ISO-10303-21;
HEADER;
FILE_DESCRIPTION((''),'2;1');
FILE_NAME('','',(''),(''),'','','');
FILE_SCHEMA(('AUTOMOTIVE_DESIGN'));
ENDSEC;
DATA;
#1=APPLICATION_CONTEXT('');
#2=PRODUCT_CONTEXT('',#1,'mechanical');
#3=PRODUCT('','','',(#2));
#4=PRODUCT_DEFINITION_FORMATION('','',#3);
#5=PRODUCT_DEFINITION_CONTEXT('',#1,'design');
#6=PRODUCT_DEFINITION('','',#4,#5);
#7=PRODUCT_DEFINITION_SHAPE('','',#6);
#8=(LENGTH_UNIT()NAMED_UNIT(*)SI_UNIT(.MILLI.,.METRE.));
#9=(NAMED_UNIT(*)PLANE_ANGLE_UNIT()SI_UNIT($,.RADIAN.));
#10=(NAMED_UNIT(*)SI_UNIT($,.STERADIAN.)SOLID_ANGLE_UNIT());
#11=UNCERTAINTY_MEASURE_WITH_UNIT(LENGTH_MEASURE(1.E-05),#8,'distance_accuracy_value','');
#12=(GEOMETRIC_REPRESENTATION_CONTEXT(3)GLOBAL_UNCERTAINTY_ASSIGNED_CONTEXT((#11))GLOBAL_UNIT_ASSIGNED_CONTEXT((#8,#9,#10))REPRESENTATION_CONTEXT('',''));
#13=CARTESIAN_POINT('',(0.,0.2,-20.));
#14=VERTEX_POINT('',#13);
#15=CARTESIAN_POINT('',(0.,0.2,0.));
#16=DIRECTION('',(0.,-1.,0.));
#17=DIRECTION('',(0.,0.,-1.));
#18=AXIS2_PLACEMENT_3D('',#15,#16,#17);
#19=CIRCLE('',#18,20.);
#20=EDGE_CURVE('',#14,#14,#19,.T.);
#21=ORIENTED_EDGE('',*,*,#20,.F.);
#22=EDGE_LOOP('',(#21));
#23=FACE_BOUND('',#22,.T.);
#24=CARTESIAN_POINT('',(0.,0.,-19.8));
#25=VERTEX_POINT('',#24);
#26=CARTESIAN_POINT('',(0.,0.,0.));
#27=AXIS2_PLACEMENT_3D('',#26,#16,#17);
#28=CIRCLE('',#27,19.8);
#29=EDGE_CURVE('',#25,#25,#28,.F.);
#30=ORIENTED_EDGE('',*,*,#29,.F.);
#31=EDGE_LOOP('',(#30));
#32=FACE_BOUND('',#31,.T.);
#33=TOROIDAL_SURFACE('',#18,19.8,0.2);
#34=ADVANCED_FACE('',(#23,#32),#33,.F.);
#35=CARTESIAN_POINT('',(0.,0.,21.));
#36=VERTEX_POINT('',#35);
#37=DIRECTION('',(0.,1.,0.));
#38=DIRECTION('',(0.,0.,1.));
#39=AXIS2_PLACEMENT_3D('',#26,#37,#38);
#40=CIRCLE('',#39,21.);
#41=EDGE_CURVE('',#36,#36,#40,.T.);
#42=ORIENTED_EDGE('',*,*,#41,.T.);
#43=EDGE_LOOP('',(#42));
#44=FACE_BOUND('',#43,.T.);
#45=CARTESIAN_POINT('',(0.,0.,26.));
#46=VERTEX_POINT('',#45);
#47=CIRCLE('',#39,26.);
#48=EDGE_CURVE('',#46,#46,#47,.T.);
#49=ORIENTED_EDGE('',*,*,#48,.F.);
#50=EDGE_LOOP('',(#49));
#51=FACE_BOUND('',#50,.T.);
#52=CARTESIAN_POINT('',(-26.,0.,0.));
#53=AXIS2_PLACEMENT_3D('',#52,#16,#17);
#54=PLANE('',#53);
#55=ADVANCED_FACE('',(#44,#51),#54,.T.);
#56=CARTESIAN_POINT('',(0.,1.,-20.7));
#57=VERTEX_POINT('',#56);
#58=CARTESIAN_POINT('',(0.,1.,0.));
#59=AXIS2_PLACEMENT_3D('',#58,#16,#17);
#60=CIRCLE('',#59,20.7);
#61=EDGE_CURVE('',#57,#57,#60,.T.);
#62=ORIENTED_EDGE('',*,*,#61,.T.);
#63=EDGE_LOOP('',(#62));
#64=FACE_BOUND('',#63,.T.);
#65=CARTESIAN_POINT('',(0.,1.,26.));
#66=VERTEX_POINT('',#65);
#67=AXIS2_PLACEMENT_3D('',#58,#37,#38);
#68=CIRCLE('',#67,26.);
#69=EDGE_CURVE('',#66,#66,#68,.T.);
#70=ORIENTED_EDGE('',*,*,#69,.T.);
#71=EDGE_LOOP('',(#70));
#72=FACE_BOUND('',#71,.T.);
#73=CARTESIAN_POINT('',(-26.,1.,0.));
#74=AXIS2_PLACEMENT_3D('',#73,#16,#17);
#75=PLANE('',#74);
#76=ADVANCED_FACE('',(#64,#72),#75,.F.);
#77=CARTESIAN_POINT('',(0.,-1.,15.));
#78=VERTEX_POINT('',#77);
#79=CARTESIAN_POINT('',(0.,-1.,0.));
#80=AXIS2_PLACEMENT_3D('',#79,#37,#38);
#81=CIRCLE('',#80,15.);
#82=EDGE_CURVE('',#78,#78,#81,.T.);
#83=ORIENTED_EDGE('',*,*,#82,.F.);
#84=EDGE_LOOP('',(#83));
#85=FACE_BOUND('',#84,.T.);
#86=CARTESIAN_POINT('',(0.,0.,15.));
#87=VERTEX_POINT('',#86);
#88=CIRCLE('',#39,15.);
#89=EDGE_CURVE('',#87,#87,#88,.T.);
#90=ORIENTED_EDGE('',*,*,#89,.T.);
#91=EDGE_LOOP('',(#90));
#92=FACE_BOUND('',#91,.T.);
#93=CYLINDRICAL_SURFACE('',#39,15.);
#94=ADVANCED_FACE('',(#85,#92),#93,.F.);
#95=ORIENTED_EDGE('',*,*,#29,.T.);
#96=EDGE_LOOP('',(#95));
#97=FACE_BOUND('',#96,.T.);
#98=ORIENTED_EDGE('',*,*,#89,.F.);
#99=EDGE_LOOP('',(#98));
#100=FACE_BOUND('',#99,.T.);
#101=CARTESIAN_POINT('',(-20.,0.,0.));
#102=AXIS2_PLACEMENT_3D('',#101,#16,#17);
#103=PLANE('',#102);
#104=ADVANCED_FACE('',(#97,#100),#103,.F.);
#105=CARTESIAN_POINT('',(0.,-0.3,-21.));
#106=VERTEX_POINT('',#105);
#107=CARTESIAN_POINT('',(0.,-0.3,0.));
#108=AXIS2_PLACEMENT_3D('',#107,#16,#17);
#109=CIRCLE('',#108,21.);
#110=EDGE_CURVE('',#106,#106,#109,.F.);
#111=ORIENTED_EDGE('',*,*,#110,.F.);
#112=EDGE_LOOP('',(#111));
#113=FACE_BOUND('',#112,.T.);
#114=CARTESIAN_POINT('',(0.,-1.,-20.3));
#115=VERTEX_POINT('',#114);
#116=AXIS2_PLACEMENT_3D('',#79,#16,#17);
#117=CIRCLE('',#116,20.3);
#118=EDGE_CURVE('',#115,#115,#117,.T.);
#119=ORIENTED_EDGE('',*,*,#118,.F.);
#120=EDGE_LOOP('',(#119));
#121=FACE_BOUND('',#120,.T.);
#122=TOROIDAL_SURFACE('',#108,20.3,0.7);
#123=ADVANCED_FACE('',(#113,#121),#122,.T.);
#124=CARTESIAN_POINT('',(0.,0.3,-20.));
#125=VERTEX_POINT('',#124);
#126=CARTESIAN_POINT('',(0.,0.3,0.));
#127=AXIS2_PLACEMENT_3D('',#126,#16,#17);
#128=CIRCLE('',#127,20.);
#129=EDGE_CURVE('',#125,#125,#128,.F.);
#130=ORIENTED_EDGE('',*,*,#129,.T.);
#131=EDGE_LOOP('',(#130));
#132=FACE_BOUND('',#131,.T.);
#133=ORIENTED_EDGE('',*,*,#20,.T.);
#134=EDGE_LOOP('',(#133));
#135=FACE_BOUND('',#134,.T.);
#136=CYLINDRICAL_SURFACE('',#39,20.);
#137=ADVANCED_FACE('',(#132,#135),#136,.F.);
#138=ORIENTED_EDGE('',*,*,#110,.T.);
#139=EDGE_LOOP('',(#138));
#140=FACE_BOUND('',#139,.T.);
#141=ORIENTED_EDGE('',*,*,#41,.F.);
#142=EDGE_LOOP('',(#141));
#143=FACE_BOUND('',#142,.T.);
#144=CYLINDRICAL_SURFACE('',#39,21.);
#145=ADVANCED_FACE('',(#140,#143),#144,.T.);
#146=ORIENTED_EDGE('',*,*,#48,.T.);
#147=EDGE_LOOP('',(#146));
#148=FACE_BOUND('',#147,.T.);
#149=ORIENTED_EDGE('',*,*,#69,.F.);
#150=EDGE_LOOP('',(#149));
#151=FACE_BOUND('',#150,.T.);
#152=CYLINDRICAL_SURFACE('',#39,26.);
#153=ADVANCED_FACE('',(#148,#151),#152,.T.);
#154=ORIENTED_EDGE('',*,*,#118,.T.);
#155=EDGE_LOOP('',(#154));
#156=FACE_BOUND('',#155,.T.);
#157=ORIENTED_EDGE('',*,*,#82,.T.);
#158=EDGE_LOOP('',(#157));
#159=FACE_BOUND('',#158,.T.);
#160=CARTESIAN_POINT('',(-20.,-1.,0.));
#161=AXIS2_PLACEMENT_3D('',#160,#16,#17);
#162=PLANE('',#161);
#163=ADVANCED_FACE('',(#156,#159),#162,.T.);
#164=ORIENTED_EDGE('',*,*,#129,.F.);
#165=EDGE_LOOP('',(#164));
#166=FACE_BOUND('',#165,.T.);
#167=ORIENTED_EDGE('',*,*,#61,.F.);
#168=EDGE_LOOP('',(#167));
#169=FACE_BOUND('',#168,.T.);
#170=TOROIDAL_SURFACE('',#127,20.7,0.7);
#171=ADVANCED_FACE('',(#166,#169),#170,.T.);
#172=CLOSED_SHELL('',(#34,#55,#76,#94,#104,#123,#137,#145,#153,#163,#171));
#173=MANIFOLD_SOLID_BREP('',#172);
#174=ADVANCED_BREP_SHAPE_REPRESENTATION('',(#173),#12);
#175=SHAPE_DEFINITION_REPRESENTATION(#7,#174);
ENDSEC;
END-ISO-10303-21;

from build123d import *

# Parameters (mm, degrees)
CONG_1_R = 0.7
CONG_2_R = 0.2


with BuildPart() as part:
    # Esquisse1 → Base-Révol.-Mince (revolve)
    with BuildSketch(Plane.XY, mode=Mode.PRIVATE) as base_r_vol_mince_sk:
        Polygon((-26, 1), (-20, 1), (-20, 0), (-15, 0), (-15, -1), (-21, -1), (-21, 0), (-26, 0), align=None)
    revolve(base_r_vol_mince_sk.sketch.rotate(Axis((0, 0, 0), (0, -1, 0)), 90), axis=Axis((0, 0, 0), (0, -1, 0)))

    # Congé1
    cong_1_edges = [part.edges().sort_by_distance(p)[0] for p in [
        (0, 1, 20),
        (0, -1, 21),
    ]]
    fillet(cong_1_edges, radius=CONG_1_R)

    # Congé2
    cong_2_edges = [part.edges().sort_by_distance(p)[0] for p in [
        (0, 0, 20),
    ]]
    fillet(cong_2_edges, radius=CONG_2_R)


solid = part.part
